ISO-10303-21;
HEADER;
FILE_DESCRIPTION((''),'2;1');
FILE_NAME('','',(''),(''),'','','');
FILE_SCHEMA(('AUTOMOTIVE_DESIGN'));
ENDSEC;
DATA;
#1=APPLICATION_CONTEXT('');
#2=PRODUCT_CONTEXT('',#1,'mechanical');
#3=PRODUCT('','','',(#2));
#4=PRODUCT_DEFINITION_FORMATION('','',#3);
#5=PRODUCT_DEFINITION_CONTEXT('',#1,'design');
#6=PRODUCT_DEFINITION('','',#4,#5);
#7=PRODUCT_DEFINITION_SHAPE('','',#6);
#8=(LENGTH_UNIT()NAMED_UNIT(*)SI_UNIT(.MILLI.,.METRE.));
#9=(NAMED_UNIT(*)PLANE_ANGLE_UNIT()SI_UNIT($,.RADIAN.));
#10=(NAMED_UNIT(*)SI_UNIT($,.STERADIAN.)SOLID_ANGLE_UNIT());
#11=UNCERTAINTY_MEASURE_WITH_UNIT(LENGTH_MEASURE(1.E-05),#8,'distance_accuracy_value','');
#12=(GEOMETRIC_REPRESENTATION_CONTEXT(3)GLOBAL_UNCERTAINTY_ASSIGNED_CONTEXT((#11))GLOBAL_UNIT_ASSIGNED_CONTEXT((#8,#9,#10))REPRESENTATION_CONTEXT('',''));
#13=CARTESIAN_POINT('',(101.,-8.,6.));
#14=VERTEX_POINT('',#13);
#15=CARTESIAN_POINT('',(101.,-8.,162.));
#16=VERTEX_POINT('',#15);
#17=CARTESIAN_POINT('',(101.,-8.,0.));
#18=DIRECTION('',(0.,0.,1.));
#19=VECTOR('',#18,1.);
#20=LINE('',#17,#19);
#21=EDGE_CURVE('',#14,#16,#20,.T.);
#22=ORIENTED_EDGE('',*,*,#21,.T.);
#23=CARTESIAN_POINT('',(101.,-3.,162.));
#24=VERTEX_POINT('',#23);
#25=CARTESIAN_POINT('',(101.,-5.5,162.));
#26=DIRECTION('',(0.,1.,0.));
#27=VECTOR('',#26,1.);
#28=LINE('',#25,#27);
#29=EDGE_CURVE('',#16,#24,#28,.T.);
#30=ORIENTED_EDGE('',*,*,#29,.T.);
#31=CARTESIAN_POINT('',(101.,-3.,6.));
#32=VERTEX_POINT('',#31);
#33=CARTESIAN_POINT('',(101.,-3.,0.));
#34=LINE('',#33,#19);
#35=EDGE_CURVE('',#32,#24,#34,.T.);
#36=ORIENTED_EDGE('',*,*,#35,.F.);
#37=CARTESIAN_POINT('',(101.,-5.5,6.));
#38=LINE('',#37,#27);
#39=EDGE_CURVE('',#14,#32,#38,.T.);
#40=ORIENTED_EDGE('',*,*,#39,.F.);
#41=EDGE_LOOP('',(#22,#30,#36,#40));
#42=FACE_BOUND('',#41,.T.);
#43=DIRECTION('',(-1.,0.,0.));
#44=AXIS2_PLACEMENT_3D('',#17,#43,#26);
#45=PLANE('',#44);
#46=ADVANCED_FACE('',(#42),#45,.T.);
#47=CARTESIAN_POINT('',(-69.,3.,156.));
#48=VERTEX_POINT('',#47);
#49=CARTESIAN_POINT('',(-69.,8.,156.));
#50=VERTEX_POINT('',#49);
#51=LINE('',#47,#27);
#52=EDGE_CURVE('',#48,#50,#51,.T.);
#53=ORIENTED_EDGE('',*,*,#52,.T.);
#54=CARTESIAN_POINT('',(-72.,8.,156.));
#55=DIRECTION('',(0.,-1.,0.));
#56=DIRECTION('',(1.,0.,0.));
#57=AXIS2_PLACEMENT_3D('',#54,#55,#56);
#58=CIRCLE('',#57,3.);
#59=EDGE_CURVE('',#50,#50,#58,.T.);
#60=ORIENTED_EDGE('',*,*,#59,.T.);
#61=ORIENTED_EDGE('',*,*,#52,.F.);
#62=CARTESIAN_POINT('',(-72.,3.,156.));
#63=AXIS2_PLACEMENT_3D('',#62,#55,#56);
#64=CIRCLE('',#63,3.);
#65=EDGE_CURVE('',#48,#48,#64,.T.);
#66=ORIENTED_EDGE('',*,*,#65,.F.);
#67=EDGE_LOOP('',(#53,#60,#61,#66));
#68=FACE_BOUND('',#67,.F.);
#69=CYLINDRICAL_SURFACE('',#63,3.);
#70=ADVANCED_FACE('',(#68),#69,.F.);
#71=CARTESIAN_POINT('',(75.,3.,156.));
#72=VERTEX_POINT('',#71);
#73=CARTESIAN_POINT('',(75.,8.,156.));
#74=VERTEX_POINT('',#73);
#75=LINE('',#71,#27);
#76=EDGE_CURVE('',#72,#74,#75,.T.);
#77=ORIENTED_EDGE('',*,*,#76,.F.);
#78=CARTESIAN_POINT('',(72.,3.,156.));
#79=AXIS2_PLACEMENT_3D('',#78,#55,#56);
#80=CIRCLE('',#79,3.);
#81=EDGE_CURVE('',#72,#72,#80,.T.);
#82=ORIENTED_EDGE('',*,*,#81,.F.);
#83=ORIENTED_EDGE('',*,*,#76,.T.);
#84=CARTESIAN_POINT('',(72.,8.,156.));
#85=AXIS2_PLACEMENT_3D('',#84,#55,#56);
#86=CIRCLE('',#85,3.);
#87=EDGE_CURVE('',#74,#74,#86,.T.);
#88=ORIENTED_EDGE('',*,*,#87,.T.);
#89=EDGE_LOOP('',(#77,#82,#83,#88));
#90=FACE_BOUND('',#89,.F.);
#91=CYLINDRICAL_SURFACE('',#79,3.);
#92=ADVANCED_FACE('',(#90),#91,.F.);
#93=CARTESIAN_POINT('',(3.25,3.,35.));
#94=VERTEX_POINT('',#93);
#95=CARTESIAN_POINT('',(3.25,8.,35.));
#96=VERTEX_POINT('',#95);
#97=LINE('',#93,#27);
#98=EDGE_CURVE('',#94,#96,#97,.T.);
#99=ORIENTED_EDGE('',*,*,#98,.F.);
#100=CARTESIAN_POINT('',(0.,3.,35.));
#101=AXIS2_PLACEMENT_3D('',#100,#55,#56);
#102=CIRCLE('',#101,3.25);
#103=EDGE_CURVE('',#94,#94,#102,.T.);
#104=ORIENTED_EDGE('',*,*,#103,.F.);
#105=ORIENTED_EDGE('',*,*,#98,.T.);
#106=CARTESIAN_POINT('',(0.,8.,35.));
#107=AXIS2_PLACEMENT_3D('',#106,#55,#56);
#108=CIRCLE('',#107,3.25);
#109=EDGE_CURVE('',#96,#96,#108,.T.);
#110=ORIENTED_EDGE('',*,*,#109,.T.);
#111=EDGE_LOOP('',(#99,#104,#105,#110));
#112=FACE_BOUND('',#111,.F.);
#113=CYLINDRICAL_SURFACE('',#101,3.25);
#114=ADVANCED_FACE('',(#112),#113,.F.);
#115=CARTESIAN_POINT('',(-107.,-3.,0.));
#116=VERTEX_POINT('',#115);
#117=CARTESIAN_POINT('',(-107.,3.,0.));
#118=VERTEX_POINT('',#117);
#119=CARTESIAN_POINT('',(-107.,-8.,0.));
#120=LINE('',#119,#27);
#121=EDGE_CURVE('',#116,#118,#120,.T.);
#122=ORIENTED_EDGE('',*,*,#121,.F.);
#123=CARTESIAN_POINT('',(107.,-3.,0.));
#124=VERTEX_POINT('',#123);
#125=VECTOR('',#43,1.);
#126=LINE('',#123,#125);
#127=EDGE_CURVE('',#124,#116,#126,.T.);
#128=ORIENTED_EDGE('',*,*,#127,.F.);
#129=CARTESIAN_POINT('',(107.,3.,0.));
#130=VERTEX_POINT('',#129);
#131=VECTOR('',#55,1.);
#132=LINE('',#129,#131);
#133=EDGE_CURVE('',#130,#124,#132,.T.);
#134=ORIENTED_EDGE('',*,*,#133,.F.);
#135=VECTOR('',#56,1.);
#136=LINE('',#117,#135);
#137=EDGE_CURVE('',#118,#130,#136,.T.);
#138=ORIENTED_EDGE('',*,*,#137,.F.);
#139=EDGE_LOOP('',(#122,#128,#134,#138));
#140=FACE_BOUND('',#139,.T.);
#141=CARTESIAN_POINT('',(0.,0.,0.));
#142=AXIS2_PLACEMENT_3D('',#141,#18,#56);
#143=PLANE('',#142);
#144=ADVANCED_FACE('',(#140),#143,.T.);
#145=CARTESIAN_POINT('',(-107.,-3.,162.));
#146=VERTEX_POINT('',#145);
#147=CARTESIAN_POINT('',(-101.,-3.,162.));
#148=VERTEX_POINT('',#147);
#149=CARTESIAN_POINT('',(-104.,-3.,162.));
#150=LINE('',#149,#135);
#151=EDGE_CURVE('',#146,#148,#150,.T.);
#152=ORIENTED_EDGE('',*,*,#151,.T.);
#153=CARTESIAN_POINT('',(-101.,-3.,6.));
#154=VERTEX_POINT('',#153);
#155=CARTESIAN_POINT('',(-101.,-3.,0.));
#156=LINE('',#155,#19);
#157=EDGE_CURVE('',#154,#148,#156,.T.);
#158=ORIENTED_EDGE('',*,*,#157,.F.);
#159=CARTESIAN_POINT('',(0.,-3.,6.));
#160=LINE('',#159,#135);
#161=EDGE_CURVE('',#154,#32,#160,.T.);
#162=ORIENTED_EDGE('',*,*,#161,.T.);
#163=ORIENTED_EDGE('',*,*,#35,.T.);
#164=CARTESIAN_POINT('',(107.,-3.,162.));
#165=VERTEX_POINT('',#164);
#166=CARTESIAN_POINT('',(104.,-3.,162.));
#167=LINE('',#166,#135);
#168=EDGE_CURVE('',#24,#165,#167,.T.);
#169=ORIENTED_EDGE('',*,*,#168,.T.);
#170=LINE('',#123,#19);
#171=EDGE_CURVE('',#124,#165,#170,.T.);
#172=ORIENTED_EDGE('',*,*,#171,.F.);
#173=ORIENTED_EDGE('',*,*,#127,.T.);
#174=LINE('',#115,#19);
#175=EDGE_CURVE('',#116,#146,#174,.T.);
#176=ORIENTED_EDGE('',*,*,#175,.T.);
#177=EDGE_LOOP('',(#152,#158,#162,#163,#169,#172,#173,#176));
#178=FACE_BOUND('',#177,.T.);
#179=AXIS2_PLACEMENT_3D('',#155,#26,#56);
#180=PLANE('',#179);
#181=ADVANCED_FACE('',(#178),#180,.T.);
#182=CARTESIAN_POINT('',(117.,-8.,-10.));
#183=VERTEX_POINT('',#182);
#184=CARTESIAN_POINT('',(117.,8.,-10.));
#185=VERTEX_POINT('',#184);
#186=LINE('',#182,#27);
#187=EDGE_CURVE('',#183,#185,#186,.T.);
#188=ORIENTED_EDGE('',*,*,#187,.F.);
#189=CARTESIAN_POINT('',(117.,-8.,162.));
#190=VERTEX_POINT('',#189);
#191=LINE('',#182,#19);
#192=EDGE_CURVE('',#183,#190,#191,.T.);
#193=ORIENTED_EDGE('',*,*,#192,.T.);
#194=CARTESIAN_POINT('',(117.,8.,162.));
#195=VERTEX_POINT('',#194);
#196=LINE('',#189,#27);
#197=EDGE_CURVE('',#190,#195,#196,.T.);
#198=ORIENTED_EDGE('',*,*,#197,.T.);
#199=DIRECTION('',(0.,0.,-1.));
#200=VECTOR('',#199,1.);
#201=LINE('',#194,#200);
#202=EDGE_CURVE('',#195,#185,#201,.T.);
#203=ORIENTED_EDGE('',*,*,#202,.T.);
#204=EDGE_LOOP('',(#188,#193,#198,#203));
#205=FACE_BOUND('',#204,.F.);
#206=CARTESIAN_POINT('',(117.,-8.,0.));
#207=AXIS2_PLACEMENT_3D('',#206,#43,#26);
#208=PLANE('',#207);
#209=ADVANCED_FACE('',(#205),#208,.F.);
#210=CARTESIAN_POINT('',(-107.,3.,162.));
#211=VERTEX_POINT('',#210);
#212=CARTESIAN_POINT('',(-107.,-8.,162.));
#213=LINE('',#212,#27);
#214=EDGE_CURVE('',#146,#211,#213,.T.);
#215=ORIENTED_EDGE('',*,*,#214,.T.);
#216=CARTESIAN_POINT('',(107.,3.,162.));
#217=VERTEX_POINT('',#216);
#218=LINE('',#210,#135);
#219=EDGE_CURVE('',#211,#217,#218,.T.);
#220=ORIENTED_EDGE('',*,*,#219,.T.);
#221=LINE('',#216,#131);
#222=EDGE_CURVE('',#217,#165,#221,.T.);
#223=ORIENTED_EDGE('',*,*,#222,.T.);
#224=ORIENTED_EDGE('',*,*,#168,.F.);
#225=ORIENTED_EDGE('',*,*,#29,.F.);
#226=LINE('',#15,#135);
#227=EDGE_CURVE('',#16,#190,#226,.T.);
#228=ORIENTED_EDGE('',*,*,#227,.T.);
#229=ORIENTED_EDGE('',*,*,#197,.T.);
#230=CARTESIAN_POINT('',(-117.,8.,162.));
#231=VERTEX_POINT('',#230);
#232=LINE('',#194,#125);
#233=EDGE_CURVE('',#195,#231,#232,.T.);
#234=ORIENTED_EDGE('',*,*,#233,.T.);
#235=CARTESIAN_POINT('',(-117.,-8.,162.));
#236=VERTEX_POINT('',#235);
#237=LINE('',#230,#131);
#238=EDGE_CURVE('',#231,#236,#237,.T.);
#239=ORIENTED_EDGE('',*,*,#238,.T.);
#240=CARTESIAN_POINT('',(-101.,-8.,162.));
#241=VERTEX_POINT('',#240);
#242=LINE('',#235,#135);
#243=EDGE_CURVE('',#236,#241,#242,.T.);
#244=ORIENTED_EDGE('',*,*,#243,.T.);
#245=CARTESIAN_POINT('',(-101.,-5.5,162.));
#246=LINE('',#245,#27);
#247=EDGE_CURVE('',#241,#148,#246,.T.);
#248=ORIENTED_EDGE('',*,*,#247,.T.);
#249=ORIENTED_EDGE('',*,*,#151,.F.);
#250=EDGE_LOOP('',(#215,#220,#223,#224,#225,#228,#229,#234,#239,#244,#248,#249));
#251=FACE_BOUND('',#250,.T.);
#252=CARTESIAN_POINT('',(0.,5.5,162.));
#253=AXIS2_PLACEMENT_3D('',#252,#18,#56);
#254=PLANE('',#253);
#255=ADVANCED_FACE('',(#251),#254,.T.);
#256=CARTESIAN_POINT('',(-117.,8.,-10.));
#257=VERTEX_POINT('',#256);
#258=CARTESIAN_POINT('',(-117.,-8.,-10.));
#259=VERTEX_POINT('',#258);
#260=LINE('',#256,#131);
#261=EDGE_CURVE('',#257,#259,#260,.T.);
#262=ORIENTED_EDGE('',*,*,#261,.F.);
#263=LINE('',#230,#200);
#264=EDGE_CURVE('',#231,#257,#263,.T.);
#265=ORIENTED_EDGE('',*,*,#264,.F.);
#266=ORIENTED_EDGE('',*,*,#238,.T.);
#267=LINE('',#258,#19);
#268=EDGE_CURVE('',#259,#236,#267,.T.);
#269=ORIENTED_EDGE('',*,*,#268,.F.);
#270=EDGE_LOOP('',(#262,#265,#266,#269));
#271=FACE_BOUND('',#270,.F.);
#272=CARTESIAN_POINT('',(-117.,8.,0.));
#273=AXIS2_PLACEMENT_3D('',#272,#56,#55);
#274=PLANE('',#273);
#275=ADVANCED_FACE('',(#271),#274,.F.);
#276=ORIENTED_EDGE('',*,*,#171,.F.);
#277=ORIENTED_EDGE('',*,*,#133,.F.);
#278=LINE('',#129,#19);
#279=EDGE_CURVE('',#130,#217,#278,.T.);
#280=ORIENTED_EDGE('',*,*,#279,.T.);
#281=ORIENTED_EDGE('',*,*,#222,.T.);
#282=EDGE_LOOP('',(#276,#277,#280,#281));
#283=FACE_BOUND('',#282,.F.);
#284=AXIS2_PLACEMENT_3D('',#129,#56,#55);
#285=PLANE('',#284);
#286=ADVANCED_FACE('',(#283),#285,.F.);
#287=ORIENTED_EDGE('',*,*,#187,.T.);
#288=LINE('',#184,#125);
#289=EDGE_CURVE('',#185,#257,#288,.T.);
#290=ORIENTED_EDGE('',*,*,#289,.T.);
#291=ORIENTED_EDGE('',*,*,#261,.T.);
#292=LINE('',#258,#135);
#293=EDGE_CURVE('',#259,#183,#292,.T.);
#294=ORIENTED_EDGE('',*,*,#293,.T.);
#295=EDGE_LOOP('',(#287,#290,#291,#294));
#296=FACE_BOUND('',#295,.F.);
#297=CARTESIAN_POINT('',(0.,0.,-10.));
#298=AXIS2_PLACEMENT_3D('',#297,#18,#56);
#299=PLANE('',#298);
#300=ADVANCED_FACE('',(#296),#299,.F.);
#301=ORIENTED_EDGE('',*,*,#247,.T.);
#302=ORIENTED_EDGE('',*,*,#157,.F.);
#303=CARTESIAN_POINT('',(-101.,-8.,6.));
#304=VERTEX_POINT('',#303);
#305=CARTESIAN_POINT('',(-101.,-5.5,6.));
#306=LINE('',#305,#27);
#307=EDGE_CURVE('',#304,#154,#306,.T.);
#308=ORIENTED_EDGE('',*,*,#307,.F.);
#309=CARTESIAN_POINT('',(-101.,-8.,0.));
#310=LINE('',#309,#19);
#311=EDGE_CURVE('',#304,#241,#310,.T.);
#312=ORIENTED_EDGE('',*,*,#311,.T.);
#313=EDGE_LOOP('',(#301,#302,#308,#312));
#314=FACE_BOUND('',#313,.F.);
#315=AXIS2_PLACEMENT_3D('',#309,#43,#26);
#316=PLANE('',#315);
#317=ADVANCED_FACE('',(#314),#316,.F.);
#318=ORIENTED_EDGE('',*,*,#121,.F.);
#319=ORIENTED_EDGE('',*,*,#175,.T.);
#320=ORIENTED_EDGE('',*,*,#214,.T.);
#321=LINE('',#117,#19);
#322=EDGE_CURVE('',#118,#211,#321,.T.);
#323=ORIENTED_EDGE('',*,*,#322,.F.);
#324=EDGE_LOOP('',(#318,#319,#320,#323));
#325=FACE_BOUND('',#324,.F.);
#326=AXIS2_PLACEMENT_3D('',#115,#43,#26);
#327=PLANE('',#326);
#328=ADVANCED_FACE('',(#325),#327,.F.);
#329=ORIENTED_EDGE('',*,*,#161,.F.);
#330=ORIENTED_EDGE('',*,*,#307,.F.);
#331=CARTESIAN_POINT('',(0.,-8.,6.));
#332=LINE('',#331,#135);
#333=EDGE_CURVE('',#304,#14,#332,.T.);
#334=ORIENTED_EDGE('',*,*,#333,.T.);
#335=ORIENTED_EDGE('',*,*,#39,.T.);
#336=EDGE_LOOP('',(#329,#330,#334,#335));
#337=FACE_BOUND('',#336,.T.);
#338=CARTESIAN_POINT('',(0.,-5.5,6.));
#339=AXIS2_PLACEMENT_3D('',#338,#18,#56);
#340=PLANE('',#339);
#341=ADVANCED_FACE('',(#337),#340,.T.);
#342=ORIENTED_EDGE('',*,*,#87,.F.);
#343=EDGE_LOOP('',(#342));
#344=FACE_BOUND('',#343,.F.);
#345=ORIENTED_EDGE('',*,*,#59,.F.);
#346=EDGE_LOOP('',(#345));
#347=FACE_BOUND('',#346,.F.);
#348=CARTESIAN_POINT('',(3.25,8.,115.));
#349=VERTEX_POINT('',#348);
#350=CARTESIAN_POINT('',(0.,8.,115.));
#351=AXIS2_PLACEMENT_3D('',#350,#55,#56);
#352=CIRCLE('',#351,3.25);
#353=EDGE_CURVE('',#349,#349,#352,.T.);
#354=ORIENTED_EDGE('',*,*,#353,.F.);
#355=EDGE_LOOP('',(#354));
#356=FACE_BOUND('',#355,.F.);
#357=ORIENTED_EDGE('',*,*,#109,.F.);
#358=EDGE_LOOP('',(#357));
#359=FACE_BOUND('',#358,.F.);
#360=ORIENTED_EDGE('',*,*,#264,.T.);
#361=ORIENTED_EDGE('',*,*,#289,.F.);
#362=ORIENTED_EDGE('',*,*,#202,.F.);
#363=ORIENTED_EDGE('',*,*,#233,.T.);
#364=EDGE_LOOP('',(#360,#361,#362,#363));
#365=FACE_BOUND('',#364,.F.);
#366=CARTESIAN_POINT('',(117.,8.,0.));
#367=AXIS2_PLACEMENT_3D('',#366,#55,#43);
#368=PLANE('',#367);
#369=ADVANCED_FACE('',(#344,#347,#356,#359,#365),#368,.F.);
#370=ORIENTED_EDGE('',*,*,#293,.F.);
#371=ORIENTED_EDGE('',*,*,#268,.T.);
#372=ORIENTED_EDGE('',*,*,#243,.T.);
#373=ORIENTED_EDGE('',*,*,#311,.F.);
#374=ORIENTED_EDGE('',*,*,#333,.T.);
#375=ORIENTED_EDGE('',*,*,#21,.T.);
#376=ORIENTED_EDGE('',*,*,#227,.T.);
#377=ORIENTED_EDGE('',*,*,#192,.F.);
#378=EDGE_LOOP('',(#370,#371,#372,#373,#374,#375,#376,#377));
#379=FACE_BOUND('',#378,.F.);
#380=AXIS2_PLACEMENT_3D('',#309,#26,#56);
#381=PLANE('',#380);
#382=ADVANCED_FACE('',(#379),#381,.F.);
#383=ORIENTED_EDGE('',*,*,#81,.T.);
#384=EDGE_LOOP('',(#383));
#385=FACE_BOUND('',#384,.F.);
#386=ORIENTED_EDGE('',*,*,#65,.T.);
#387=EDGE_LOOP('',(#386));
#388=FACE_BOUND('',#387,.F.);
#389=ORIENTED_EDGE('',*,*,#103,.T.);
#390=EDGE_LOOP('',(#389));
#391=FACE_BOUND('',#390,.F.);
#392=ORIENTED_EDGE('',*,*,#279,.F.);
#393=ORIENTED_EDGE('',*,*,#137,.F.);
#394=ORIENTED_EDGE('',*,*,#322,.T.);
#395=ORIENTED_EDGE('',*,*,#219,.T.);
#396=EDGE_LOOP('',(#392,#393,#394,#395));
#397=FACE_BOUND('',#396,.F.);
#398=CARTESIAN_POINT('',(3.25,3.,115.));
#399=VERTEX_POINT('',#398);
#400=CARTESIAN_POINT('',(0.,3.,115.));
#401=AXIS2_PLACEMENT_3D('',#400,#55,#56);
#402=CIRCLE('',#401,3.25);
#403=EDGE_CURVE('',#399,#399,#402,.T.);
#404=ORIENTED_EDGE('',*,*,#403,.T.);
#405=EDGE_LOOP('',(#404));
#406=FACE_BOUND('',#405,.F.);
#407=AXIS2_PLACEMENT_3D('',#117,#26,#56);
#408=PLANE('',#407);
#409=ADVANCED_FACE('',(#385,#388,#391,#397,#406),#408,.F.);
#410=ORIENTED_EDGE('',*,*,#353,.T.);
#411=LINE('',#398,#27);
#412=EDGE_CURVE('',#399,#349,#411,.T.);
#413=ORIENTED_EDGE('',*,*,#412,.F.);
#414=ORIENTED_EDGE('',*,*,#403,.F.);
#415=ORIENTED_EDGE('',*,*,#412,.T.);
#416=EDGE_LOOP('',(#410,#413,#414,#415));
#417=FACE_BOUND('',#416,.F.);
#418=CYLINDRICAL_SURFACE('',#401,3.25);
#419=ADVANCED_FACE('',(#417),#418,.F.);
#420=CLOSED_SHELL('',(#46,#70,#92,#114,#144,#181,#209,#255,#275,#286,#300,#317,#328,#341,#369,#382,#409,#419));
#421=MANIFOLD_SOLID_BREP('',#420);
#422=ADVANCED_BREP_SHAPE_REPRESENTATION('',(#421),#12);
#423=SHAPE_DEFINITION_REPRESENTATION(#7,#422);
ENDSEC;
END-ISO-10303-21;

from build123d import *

# Parameters (mm, degrees)
F0_W     = 214
F0_H     = 5
F0_W_2   = 202
F0_W_3   = 10
F0_H_2   = 6
F0_W_4   = 6
F1_DEPTH = 10
F2_DEPTH = 162
F3_DEPTH = 6
F4_R     = 3.25
F4_R_2   = 3
F5_DEPTH = 25


with BuildPart() as f1:
    # F0 (on Top) → F1 (new body)
    with BuildSketch(Plane.XY):
        Polygon((107, 3), (-107, 3), (-107, -3), (-101, -3), (101, -3), (107, -3), align=None)
        with Locations((0, 5.5)):
            Rectangle(F0_W, F0_H)
        with Locations((0, -5.5)):
            Rectangle(F0_W_2, F0_H)
        with Locations((-112, 0)):
            Rectangle(F0_W_3, F0_H_2)
        with Locations((-112, 5.5)):
            Rectangle(F0_W_3, F0_H)
        with Locations((-112, -5.5)):
            Rectangle(F0_W_3, F0_H)
        with Locations((-104, -5.5)):
            Rectangle(F0_W_4, F0_H)
        with Locations((112, 0)):
            Rectangle(F0_W_3, F0_H_2)
        with Locations((112, 5.5)):
            Rectangle(F0_W_3, F0_H)
        with Locations((104, -5.5)):
            Rectangle(F0_W_4, F0_H)
        with Locations((112, -5.5)):
            Rectangle(F0_W_3, F0_H)
    extrude(amount=-F1_DEPTH)

    # F0 (on Top) → F2 (join)
    with BuildSketch(Plane.XY):
        with Locations((0, 5.5)):
            Rectangle(F0_W, F0_H)
        with Locations((-112, 5.5)):
            Rectangle(F0_W_3, F0_H)
        with Locations((-112, 0)):
            Rectangle(F0_W_3, F0_H_2)
        with Locations((-112, -5.5)):
            Rectangle(F0_W_3, F0_H)
        with Locations((112, 5.5)):
            Rectangle(F0_W_3, F0_H)
        with Locations((112, 0)):
            Rectangle(F0_W_3, F0_H_2)
        with Locations((112, -5.5)):
            Rectangle(F0_W_3, F0_H)
        with Locations((104, -5.5)):
            Rectangle(F0_W_4, F0_H)
        with Locations((-104, -5.5)):
            Rectangle(F0_W_4, F0_H)
    extrude(amount=F2_DEPTH)

    # F0 (on Top) → F3 (join)
    with BuildSketch(Plane.XY):
        with Locations((0, -5.5)):
            Rectangle(F0_W_2, F0_H)
    extrude(amount=F3_DEPTH)

    # F4 (on face) → F5 (cut)
    with BuildSketch(Plane.XZ.offset(-3)):
        with Locations((0, 115)):
            Circle(F4_R)
        with Locations((72, 156)):
            Circle(F4_R_2)
        with Locations((0, 35)):
            Circle(F4_R)
        with Locations((-72, 156)):
            Circle(F4_R_2)
    extrude(amount=-F5_DEPTH, mode=Mode.SUBTRACT)


solid = f1.part
